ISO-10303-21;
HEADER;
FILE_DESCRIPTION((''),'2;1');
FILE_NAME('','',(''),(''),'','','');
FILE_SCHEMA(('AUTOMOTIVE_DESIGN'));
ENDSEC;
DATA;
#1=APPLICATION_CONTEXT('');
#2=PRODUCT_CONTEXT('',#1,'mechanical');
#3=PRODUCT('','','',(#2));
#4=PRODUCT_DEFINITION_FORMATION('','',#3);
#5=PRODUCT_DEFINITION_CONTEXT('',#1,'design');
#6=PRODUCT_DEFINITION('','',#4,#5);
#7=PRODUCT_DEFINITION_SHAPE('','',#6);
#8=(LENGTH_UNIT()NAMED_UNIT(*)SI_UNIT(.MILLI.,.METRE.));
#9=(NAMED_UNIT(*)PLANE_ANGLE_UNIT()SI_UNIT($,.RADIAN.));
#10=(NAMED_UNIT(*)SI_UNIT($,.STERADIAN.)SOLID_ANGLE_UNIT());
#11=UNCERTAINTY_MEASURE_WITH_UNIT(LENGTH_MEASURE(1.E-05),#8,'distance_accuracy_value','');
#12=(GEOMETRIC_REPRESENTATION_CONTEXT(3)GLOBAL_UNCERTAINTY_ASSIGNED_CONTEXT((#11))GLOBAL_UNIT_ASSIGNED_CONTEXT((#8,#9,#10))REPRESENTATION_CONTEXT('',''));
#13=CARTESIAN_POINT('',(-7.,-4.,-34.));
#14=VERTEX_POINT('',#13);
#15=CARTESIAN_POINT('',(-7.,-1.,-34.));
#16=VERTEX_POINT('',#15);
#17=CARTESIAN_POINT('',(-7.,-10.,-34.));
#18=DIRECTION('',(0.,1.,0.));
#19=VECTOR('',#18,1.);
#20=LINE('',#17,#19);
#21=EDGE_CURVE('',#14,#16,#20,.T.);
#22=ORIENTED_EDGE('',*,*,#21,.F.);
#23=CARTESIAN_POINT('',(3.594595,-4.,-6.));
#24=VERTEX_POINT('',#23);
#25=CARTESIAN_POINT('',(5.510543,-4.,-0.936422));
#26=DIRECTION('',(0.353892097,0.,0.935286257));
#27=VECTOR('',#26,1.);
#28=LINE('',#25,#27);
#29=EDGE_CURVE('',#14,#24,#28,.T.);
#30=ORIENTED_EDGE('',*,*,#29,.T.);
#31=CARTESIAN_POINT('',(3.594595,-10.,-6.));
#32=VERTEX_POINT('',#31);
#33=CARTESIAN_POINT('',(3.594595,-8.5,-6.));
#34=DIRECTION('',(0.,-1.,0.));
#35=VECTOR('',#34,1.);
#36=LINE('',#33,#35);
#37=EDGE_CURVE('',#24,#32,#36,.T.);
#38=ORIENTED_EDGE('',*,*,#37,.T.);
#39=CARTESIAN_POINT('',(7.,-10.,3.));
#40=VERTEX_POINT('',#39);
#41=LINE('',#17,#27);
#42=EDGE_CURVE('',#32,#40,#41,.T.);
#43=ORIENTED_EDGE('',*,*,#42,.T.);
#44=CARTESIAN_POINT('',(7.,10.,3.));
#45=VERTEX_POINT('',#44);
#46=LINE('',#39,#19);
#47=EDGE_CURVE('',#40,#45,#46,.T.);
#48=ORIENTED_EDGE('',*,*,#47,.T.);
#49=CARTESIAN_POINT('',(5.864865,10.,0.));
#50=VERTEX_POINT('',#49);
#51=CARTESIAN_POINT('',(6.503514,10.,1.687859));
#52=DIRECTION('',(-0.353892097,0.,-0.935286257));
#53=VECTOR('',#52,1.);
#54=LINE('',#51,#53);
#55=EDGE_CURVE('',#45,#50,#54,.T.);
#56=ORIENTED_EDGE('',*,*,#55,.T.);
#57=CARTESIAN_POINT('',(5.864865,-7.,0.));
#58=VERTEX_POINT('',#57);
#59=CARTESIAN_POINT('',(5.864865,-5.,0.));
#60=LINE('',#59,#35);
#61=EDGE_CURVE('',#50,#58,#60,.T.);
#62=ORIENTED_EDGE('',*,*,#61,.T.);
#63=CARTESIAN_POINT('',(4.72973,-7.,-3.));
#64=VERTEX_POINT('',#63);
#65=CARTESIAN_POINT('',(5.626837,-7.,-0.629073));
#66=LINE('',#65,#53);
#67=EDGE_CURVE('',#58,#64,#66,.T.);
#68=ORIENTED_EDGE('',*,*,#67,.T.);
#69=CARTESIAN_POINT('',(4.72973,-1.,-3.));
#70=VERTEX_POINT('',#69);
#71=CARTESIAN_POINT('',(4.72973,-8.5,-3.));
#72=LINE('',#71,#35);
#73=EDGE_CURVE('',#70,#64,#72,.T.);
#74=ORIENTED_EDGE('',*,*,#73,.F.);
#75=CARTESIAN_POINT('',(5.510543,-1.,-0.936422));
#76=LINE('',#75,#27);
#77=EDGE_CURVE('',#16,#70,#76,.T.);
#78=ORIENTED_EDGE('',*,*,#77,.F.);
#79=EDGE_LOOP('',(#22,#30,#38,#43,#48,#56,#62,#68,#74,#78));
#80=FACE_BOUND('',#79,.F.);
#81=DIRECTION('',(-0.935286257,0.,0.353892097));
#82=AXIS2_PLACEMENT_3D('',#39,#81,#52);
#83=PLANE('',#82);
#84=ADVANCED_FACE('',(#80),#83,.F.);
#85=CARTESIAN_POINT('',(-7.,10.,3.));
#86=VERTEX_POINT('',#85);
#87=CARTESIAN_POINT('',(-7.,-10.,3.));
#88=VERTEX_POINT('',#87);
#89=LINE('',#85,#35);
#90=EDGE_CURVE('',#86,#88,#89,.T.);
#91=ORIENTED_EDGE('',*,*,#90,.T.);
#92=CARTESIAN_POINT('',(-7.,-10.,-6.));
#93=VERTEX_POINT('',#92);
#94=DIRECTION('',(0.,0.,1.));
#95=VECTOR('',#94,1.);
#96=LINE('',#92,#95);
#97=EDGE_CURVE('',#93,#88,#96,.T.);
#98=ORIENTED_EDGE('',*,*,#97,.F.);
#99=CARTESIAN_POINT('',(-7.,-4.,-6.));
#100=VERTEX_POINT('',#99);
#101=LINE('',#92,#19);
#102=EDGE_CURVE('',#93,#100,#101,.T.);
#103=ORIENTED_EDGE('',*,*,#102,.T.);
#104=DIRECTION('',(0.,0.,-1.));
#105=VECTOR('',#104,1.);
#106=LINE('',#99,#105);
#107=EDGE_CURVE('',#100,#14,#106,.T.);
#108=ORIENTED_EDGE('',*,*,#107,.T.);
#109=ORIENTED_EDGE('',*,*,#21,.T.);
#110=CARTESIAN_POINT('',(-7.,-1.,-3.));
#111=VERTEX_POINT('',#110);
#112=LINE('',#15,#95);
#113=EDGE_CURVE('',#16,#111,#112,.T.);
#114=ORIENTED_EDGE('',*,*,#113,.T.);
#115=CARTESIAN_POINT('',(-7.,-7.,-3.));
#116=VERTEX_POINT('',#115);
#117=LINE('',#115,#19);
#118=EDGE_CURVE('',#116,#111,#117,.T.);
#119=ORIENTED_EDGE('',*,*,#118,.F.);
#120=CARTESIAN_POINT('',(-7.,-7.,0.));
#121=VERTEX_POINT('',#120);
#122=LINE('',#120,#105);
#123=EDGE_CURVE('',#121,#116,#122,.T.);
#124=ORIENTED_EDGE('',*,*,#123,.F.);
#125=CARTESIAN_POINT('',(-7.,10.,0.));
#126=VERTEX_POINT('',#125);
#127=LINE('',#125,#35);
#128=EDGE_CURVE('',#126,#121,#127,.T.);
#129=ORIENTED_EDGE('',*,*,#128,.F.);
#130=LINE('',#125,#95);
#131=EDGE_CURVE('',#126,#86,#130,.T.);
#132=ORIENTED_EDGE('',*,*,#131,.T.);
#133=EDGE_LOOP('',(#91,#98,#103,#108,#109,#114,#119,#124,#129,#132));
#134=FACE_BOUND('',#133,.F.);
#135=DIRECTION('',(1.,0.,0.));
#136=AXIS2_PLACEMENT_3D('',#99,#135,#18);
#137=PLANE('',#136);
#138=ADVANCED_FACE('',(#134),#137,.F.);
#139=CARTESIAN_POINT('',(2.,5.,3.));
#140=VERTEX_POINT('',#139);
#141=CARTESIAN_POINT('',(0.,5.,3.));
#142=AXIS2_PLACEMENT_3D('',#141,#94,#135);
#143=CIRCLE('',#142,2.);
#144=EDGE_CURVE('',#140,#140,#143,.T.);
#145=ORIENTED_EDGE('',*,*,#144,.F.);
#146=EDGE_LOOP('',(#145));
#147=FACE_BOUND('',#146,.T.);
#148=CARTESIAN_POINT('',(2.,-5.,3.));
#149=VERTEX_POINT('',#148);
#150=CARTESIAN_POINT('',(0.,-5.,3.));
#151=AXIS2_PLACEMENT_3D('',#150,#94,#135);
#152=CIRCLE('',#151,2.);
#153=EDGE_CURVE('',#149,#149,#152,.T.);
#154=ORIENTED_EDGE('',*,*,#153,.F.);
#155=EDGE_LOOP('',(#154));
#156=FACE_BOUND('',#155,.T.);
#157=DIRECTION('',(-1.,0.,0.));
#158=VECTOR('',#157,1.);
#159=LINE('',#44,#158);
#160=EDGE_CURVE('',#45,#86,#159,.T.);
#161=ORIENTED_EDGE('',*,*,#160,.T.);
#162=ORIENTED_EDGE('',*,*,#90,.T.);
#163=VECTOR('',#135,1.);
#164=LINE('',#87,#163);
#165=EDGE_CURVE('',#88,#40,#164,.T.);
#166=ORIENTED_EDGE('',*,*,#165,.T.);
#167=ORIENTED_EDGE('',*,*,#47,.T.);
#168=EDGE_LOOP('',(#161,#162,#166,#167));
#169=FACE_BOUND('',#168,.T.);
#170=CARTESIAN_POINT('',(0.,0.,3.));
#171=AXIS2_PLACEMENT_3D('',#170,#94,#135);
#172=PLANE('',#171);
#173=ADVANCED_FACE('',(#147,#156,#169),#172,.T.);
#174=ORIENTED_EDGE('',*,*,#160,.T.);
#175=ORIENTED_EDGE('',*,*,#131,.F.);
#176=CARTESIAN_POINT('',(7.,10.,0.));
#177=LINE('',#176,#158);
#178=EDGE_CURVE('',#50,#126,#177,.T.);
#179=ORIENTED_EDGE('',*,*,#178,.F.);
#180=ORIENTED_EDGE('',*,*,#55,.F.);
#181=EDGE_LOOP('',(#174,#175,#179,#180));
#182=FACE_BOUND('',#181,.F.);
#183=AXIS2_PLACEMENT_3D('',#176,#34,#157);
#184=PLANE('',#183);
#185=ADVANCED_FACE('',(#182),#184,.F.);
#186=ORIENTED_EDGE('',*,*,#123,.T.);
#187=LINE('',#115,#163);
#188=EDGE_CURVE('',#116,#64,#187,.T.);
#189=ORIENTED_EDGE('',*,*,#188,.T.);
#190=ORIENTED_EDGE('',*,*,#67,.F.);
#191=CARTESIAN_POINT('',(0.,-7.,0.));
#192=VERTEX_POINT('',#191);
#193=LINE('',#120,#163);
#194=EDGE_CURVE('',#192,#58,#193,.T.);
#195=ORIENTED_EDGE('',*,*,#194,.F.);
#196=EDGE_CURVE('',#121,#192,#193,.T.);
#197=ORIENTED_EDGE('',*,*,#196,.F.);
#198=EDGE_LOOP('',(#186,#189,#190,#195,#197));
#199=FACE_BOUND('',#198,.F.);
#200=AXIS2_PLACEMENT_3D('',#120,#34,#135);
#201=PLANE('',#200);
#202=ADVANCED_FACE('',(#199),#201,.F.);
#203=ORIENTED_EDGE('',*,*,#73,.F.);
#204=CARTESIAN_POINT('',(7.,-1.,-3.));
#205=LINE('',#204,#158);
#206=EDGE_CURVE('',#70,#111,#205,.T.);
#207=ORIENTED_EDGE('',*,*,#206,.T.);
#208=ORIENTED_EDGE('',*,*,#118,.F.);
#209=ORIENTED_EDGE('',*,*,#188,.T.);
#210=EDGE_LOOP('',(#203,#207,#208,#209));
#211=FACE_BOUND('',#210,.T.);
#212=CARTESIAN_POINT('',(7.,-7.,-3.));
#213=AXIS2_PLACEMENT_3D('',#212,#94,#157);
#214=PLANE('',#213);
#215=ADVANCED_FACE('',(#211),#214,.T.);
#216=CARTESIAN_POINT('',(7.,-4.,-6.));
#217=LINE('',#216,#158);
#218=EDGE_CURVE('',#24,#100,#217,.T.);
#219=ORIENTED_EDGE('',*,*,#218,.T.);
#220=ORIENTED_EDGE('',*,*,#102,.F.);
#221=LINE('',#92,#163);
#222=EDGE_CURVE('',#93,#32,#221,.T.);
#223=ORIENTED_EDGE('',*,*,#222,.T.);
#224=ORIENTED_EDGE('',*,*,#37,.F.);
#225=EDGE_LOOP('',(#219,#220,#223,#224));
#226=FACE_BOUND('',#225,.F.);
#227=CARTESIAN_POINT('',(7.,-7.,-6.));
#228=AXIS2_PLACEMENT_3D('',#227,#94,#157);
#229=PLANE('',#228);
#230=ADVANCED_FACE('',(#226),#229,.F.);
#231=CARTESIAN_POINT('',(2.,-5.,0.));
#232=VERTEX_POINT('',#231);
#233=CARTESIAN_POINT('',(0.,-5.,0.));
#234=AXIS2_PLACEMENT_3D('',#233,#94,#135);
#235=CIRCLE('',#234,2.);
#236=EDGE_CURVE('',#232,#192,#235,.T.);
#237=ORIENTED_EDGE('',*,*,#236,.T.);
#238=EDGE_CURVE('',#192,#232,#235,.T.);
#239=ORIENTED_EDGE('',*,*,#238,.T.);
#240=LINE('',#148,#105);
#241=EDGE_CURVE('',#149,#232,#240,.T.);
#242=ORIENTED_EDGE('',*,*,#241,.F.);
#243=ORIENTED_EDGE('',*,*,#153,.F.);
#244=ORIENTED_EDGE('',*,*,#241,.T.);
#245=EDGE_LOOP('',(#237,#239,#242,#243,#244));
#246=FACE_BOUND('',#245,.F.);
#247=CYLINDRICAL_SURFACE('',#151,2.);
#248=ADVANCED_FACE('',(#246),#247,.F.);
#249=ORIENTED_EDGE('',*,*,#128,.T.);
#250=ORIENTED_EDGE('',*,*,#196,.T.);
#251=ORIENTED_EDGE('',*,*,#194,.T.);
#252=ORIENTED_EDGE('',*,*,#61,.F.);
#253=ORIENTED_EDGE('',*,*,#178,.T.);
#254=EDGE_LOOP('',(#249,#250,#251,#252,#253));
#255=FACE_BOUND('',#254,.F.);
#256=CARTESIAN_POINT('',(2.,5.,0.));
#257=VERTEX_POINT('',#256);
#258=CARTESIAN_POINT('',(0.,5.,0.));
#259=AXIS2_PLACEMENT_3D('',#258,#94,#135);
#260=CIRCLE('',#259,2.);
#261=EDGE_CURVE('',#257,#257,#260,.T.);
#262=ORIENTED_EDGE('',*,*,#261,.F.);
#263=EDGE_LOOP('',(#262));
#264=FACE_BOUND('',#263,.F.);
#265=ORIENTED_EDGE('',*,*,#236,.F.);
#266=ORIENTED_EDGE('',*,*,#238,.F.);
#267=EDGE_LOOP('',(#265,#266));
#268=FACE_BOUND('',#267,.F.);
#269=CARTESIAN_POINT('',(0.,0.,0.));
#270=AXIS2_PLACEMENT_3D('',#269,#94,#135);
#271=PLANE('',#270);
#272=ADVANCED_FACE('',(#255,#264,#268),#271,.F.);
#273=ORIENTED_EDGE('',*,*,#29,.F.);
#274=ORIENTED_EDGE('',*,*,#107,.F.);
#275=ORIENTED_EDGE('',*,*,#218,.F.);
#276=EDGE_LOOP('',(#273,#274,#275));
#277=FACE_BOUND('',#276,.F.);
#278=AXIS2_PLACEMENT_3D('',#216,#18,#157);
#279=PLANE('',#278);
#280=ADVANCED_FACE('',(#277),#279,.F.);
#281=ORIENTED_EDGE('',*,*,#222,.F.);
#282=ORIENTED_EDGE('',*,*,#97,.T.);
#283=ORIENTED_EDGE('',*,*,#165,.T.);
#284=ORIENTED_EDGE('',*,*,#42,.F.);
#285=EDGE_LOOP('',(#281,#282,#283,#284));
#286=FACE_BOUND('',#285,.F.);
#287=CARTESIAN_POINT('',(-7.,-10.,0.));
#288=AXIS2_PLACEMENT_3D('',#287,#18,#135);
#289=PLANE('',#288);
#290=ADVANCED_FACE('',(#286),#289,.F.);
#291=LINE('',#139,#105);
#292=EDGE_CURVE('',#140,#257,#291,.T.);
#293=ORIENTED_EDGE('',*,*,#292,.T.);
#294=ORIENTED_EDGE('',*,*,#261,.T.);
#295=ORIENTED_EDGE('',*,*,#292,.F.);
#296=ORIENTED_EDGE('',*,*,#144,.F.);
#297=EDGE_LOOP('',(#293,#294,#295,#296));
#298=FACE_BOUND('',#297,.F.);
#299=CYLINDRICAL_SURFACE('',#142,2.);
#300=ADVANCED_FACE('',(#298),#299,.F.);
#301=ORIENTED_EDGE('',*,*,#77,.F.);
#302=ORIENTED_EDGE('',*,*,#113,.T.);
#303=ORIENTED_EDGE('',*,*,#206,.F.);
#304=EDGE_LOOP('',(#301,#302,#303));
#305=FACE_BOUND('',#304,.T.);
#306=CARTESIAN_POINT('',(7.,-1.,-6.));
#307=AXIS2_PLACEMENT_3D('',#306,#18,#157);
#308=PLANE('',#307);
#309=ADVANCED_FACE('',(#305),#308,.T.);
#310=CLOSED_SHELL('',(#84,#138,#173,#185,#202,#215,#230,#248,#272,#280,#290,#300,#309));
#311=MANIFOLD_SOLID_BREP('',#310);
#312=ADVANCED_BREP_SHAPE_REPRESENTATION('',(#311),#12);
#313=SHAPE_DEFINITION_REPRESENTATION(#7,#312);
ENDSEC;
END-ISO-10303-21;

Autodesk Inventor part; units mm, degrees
ref_plane "YZ Plane" through (0, 0, 0) normal (1, 0, 0) x (0, 1, 0)
ref_plane "XZ Plane" through (0, 0, 0) normal (0, 1, 0) x (-1, 0, 0)
ref_plane "XY Plane" through (0, 0, 0) normal (0, 0, 1) x (1, 0, 0)
sketch "Эскиз1" plane through (0, 0, 0) normal (0, 0, 1) x (1, 0, 0)
  line L0 (-7, -10) -> (7, -10)
  line L1 (7, -10) -> (7, 10)
  line L2 (7, 10) -> (-7, 10)
  line L3 (-7, 10) -> (-7, -10)
  line L4 (-7, -10) -> (7, 10) construction
  line L5 (7, -10) -> (-7, 10) construction
  point P0 (0, 0)
  dimension "d0" = 14
  dimension "d1" = 20
extrude "Выдавливание1" add sketch "Эскиз1" along normal blind 3
sketch "Эскиз2" plane through (0, 0, 0) normal (0, 0, -1) x (-1, 0, 0)
  line L0 (7, -10) -> (-7, -10) projected
  line L1 (7, 10) -> (7, -10) projected
  line L2 (-7, 10) -> (7, 10) projected
  line L3 (-7, -10) -> (-7, 10) projected
  line L4 (7, -10) -> (7, -7)
  line L5 (7, 10) -> (7, -10) construction
  line L6 (7, -10) -> (-7, -10) projected
  line L7 (7, -7) -> (-7, -7)
  line L8 (-7, -7) -> (-7, -10)
  line L9 (-7, -10) -> (7, -10)
  line L10 (7, -10) -> (7, -7)
  point P0 (0, 0)
  dimension "d4" = 3
extrude "Выдавливание2" add sketch "Эскиз2" along normal blind 6 contours L0 L3 L7 L1
sketch "Эскиз3" plane through (-7, -7, 0) normal (0, 1, 0) x (1, 0, 0)
  line L0 (14, 6) -> (0, 6) projected
  line L1 (14, 0) -> (0, 0) projected
  line L2 (14, 0) -> (14, 6) projected
  line L3 (0, 6) -> (14, 6) projected
  line L4 (0, 0) -> (0, 6) projected
  line L5 (14, 6) -> (14, 3) construction
  line L6 (14, 0) -> (14, 6) construction
  line L7 (14, 3) -> (0, 3)
  line L8 (0, 3) -> (0, 6)
  line L9 (0, 6) -> (14, 6)
  line L10 (14, 6) -> (14, 3)
  point P0 (7, 0)
  dimension "d7" = 3
extrude "Выдавливание3" add sketch "Эскиз3" along normal blind 6 contours L2 L7 L4 L0
sketch "Эскиз4" plane through (0, 0, -6) normal (0, 0, -1) x (-1, 0, 0)
  line L0 (-7, -10) -> (7, -10) projected
  line L1 (7, -10) -> (7, -1) projected
  line L2 (-7, -1) -> (7, -1) projected
  line L3 (-7, -10) -> (-7, -1) projected
  line L4 (-7, -1) -> (7, -1) construction
  line L5 (-7, -1) -> (-7, -4) construction
  line L6 (-7, -4) -> (7, -4)
  line L7 (7, -4) -> (7, -1)
  line L8 (7, -1) -> (-7, -1)
  line L9 (-7, -1) -> (-7, -4)
  point P0 (0, 0)
  dimension "d10" = 3
extrude "Выдавливание4" add sketch "Эскиз4" along normal blind 28 contours L3 L2 L1 L6
sketch "Эскиз6" plane through (0, 0, 3) normal (0, 0, 1) x (1, 0, 0)
  line L0 (-7, -10) -> (7, -10) projected
  line L1 (7, -10) -> (7, 10) projected
  line L2 (7, 10) -> (-7, 10) projected
  line L3 (-7, 0) -> (7, 0) construction
  line L4 (7, -7) -> (7, 10) construction
  line L5 (7, 10) -> (-7, 10) construction
  line L6 (0, 10) -> (0, -10) construction
  line L7 (0, 0) -> (0, 10) construction
  line L8 (0, 5) -> (-7, 5) construction
  line L9 (-7, 10) -> (-7, -10) construction
  line L10 (0, 5) -> (7, 5) construction
  line L11 (0, -10) -> (0, 0) construction
  line L12 (0, -5) -> (7, -5) construction
  circle A0 centre (0, 5) radius 2
  circle A1 centre (0, -5) radius 2
  line L13 (-7, 10) -> (-7, -10) projected
  point P0 (-5.8649, 10)
  dimension "d15" = 4
  dimension "d16" = 4
extrude "Выдавливание6" cut sketch "Эскиз6" against normal up to surface (6 mm away) contours A0 | A1
sketch "Эскиз7" plane through (-7, -10, 3) normal (0, -1, 0) x (1, 0, 0)
  line L0 (14, -9) -> (14, 0) projected
  line L1 (0, 0) -> (14, 0) projected
  line L2 (0, 0) -> (0, -9) projected
  line L3 (14, -9) -> (0, -9) projected
  line L4 (0, -9) -> (14, -9) projected
  line L5 (0, -9) -> (0, -37) projected
  line L6 (14, -37) -> (0, -37) projected
  line L7 (14, -9) -> (14, -37) projected
  line L8 (0, 0) -> (14, 0) projected
  line L9 (0, -6) -> (0, -37) projected
  line L10 (14, 0) -> (0, -37)
  line L11 (0, -37) -> (14, -37)
  line L12 (14, -9) -> (14, 0) projected
  line L13 (14, 0) -> (14, -37)
  point P0 (7, -3)
extrude "Выдавливание7" cut sketch "Эскиз7" against normal blind 28 contours L3 L10 L0 | L7 L6 L10 L3
properties part number "Side control"
